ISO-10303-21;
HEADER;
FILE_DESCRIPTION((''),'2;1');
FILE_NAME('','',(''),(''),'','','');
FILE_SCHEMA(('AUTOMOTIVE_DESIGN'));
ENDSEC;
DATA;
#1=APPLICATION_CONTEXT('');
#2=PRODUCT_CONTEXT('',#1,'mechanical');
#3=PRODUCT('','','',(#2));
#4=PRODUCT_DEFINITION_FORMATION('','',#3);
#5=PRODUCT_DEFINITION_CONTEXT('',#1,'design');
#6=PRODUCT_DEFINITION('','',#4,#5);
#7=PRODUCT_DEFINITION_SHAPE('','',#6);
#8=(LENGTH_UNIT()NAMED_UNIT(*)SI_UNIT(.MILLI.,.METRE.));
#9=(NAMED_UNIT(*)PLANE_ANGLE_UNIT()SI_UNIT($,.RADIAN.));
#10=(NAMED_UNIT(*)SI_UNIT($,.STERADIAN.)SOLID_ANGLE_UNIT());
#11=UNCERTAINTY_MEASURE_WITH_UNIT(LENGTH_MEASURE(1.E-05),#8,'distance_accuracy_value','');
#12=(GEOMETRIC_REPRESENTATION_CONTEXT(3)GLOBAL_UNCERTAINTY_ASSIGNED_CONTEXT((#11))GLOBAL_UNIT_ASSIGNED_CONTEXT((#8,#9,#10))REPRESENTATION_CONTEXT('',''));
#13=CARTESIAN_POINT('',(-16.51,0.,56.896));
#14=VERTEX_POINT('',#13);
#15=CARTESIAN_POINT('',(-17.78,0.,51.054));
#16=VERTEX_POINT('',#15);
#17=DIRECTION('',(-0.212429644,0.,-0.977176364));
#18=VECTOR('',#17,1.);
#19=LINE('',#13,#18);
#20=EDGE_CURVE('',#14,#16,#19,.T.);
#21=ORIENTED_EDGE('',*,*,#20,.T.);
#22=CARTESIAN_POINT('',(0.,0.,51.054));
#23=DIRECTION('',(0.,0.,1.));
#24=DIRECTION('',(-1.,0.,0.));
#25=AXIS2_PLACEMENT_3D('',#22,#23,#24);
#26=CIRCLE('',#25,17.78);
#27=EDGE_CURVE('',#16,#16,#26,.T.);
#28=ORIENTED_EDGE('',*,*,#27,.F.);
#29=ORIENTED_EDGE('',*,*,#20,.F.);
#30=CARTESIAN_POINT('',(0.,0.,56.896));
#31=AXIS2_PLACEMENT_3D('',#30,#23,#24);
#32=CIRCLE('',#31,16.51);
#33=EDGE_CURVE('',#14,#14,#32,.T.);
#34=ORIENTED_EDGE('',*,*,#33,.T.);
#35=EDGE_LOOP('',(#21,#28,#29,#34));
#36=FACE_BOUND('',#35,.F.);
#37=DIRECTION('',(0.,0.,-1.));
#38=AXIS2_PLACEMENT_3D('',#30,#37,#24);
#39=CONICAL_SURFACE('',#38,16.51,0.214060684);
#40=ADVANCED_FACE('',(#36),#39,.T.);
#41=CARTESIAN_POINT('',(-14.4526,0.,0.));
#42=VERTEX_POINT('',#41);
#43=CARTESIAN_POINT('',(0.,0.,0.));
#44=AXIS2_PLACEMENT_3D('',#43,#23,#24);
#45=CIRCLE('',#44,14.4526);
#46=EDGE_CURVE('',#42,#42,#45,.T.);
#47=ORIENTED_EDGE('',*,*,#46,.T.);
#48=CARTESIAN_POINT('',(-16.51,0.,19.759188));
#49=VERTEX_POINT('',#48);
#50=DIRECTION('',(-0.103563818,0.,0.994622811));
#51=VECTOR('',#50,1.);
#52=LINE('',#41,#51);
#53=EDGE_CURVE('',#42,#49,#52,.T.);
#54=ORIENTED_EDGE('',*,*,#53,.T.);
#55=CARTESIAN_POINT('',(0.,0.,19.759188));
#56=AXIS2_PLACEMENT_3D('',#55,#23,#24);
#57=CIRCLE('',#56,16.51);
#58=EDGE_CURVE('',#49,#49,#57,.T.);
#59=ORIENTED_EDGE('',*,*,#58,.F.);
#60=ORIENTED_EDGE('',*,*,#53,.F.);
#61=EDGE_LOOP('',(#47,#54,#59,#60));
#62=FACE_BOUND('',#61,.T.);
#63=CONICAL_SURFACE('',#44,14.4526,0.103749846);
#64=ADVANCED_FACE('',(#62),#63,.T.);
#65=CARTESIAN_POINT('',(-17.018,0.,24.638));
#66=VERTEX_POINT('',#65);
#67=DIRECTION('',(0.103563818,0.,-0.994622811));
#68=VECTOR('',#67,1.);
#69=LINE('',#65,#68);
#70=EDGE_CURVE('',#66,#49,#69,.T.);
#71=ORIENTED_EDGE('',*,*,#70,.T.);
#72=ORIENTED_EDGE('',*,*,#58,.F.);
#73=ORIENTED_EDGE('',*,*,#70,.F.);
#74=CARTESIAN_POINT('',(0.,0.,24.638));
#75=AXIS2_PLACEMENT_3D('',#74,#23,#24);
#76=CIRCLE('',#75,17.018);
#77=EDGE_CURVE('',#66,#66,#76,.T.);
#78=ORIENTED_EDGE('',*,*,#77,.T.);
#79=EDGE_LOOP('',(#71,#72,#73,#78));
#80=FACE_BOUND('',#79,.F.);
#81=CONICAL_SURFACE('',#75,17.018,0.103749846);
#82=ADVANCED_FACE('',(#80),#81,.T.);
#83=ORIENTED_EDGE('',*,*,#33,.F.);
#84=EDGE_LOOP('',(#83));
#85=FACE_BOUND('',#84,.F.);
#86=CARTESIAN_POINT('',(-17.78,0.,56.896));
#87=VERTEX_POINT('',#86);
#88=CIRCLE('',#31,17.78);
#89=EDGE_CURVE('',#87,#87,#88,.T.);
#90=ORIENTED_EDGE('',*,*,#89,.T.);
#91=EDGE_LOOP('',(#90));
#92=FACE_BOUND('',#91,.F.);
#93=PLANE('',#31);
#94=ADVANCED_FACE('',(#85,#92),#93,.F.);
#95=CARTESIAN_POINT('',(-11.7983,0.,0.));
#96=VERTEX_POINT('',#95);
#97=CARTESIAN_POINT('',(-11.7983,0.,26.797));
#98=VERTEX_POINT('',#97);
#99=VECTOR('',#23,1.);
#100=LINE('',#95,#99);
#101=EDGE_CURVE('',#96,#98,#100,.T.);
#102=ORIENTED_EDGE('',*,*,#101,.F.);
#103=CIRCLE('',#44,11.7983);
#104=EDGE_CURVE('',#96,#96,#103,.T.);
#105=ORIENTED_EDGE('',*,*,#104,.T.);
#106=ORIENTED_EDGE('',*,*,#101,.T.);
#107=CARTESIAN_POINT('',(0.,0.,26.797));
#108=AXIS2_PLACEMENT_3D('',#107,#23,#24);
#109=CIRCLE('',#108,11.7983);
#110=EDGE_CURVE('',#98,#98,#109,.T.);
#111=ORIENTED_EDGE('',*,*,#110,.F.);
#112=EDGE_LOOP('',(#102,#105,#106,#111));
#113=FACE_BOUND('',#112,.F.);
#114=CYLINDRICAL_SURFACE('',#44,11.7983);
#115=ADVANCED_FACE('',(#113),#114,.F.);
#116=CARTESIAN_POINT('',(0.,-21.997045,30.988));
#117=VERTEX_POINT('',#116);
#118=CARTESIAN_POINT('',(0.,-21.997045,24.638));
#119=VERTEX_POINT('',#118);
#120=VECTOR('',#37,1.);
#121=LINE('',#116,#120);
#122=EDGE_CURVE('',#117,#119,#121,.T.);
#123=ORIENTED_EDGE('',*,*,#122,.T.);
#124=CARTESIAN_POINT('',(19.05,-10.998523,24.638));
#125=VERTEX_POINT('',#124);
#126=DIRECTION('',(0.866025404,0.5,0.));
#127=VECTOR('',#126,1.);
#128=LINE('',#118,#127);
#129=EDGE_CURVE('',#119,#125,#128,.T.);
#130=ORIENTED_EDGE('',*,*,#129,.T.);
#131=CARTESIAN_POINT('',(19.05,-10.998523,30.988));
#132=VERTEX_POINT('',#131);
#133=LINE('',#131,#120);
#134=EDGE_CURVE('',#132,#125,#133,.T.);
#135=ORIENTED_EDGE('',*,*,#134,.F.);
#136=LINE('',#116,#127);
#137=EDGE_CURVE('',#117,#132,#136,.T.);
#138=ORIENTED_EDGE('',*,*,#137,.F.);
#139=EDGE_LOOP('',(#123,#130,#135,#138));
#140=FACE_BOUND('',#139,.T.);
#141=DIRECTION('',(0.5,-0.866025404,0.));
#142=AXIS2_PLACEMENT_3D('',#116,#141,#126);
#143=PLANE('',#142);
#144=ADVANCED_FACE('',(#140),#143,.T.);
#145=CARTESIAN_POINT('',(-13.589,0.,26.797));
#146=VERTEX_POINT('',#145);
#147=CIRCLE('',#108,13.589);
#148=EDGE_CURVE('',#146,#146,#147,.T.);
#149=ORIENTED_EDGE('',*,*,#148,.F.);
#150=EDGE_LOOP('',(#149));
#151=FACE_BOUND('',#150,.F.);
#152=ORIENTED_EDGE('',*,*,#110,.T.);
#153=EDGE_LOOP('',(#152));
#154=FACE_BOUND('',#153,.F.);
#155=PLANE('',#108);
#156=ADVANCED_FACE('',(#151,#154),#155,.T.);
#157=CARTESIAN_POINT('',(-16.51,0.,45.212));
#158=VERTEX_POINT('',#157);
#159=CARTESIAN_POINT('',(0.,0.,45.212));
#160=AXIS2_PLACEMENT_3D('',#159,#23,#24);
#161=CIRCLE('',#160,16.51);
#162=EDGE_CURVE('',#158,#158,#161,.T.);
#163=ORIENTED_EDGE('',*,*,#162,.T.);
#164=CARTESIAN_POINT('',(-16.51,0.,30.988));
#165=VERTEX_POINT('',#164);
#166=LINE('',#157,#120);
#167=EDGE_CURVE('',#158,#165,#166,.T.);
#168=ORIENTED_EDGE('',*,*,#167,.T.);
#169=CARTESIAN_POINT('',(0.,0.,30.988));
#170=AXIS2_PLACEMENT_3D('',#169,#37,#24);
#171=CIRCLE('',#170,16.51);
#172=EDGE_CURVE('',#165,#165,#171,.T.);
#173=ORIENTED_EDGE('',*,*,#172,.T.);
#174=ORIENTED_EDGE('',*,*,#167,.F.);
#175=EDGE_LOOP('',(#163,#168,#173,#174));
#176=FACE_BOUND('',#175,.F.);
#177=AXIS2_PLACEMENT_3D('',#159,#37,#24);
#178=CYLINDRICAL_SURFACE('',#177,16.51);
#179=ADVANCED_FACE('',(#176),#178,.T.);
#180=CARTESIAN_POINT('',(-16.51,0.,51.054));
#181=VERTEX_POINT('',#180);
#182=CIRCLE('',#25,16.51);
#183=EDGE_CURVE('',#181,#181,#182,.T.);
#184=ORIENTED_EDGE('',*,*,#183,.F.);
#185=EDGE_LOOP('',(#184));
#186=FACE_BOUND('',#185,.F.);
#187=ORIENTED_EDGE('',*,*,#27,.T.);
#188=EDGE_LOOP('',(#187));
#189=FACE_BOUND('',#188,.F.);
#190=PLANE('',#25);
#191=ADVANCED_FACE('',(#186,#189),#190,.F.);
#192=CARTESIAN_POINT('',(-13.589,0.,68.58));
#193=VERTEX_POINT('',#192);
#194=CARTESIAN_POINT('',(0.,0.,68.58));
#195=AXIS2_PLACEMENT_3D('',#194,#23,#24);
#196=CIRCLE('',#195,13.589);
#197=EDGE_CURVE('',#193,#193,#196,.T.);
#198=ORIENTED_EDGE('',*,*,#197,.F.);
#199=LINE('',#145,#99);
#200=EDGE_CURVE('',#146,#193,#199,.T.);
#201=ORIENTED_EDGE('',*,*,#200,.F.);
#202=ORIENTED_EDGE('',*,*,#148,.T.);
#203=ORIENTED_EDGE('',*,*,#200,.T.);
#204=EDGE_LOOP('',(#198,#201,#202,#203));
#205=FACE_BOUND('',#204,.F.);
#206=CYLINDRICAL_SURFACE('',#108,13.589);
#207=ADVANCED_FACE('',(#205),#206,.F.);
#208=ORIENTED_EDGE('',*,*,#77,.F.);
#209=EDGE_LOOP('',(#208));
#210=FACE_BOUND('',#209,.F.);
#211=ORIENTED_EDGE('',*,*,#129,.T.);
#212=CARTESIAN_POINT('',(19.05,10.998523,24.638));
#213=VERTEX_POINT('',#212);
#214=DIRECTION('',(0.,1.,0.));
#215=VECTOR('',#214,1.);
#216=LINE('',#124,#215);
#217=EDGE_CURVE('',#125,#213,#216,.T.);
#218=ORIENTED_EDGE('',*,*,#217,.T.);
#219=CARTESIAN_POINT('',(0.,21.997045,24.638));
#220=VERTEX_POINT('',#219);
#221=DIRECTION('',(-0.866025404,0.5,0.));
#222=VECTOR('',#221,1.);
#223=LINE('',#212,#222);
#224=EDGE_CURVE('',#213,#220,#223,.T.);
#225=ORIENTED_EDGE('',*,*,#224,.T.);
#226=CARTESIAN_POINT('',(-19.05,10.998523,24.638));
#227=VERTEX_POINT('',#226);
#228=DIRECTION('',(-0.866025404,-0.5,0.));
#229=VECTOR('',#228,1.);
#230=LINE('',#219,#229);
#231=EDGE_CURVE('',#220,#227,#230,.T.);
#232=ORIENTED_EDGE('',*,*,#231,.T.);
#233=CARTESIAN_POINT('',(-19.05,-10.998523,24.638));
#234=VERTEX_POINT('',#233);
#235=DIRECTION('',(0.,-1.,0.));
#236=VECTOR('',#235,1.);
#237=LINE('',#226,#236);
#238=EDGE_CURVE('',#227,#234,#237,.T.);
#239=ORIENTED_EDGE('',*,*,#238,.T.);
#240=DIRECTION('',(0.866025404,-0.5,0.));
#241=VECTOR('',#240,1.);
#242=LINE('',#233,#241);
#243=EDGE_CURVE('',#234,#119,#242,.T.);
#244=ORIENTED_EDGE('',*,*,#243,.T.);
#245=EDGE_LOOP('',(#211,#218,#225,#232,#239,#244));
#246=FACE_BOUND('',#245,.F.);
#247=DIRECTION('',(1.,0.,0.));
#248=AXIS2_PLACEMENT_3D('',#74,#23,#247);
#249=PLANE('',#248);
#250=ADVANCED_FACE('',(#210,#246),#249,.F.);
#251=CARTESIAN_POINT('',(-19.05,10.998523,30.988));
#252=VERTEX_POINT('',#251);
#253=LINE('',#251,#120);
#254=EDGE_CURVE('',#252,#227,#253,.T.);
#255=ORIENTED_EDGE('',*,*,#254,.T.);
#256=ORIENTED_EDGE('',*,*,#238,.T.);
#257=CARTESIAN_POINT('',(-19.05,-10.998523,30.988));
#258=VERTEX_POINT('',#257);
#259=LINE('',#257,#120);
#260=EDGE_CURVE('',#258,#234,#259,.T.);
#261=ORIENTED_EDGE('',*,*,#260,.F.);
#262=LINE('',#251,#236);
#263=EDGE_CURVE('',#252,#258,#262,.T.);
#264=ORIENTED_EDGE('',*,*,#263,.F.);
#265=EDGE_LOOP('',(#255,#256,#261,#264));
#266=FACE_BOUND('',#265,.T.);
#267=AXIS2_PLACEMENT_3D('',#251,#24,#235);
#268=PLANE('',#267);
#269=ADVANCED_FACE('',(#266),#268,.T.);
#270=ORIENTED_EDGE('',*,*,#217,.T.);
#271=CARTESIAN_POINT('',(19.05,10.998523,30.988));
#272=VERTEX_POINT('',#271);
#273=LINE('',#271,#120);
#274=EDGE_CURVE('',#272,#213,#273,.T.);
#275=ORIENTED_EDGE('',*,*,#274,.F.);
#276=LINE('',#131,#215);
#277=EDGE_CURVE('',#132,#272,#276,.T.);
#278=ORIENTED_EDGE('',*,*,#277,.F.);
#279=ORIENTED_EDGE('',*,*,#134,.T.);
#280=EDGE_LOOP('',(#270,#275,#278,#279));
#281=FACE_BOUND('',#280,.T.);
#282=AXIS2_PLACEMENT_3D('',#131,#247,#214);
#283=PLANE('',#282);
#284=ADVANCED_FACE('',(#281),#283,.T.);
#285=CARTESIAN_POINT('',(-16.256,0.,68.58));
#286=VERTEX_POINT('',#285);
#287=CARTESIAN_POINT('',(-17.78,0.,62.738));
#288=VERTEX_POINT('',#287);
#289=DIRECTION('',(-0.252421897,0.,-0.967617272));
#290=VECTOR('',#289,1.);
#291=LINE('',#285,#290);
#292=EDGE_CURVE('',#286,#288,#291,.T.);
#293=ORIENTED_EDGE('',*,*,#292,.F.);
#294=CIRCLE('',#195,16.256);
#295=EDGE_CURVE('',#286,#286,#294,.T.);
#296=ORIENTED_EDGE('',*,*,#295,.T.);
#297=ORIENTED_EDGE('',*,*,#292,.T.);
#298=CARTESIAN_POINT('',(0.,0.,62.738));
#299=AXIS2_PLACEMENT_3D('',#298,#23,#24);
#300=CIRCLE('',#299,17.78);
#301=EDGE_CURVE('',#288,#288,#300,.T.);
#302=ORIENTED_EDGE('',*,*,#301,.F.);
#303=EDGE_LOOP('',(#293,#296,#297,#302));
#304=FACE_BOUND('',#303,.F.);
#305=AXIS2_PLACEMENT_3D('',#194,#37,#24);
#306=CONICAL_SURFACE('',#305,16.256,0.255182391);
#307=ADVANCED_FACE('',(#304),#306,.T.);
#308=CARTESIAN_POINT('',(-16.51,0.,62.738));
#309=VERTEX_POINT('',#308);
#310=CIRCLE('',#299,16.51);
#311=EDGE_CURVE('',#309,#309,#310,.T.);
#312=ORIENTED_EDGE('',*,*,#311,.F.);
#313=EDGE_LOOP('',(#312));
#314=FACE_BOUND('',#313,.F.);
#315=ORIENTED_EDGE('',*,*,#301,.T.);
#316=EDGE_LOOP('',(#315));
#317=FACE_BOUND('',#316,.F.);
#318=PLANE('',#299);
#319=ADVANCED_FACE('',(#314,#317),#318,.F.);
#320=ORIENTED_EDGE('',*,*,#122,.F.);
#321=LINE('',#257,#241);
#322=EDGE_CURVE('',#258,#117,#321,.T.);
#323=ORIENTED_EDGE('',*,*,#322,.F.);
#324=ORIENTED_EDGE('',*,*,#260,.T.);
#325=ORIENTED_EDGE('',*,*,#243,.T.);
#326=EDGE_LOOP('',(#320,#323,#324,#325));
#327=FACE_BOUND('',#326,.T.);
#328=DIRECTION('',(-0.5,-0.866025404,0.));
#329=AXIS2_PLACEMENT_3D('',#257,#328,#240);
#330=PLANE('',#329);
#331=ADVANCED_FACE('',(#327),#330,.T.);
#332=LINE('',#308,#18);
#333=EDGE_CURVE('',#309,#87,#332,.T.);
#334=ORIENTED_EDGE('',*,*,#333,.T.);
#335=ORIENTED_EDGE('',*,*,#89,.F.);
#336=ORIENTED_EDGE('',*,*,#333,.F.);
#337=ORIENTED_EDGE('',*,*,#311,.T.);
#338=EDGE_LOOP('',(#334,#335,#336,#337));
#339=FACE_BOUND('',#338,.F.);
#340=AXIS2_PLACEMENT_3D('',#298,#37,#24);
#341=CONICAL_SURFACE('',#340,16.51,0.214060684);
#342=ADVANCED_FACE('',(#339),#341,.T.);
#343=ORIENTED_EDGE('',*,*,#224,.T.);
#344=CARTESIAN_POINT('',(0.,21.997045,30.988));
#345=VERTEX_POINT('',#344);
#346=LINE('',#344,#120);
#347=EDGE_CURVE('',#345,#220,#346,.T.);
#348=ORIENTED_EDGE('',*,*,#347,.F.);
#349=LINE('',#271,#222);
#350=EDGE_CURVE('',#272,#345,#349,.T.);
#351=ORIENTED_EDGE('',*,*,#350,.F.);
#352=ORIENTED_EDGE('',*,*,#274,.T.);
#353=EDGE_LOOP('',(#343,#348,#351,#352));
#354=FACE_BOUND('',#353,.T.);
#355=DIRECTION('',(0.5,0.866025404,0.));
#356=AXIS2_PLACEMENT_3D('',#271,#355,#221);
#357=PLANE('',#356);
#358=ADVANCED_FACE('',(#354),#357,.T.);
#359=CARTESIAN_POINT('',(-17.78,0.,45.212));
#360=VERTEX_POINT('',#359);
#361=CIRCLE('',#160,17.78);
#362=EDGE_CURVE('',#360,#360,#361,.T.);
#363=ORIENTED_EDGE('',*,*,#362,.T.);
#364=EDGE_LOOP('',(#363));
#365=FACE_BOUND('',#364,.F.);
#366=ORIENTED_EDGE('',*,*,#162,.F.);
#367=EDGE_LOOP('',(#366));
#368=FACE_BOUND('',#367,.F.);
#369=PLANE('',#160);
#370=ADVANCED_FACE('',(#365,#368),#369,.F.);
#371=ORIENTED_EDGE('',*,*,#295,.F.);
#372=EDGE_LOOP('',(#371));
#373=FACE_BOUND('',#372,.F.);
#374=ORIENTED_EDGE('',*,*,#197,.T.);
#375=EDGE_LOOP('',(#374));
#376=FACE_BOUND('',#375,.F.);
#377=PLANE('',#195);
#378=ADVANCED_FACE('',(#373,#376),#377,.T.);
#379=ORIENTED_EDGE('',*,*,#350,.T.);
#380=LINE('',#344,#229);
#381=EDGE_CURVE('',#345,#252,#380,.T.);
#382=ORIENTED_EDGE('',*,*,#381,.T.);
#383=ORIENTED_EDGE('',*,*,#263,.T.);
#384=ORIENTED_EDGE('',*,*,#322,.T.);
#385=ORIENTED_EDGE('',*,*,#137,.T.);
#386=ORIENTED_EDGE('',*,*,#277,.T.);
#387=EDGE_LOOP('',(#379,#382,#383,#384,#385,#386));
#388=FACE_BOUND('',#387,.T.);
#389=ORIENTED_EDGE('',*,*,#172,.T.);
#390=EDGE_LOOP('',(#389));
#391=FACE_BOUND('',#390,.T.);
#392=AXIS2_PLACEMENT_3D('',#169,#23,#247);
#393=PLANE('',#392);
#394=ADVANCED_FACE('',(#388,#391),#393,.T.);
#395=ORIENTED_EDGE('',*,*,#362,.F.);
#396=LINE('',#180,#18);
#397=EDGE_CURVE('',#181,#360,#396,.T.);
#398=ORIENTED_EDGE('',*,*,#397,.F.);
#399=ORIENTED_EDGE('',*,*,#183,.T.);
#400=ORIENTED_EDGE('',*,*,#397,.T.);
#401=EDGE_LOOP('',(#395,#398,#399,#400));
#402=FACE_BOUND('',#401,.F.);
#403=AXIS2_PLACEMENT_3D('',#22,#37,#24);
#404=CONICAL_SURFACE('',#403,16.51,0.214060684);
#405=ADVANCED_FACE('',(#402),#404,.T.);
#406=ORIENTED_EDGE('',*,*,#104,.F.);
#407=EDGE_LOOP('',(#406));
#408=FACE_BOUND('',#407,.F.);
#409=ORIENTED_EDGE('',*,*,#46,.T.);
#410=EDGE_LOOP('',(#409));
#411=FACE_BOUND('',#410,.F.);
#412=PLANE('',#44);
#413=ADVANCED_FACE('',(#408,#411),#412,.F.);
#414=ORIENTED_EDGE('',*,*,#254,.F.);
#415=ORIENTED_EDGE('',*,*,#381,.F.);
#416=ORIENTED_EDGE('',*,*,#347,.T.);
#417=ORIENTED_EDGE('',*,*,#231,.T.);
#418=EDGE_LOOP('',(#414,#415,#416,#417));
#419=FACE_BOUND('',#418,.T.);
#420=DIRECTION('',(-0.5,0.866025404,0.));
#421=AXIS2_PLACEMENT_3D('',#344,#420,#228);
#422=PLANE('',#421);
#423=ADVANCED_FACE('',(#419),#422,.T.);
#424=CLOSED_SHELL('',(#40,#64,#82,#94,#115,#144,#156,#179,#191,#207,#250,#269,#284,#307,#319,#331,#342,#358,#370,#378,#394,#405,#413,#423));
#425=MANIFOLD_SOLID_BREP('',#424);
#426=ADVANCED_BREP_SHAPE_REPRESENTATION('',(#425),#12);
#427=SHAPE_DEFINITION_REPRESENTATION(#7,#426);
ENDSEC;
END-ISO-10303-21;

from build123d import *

# Parameters (mm, degrees)
F3_R     = 16.51
F4_DEPTH = 6.35


with BuildPart() as f1:
    # F0 (on Front) → F1 (revolve)
    with BuildSketch(Plane.XZ):
        Polygon((-13.589, 26.797), (-13.589, 68.58), (-16.256, 68.58), (-17.78, 62.738), (-16.51, 62.738), (-17.78, 56.896), (-16.51, 56.896), (-17.78, 51.054), (-16.51, 51.054), (-17.78, 45.212), (-16.51, 45.212), (-16.51, 0), (-11.7983, 0), (-11.7983, 26.797), align=None)
    revolve(axis=Axis((0, 0, 34.29), (0, 0, 1)))

    # F3 (on offset) → F4 (join)
    with BuildSketch(Plane.XY.offset(30.988)):
        Polygon((19.05, 10.9985226281), (0, 21.9970452561), (-19.05, 10.9985226281), (-19.05, -10.9985226281), (0, -21.9970452561), (19.05, -10.9985226281), align=None)
        Circle(F3_R, mode=Mode.SUBTRACT)
    extrude(amount=-F4_DEPTH)

    # F6 (on Front) → F7 (revolve)
    with BuildSketch(Plane.XZ):
        Polygon((-16.51, 24.638), (-17.018, 24.638), (-16.51, 19.7591881188), align=None)
    revolve(axis=Axis((0, 0, 12.319), (0, 0, 1)))

    # F8 (on Front) → F9 (revolve, cut)
    with BuildSketch(Plane.XZ):
        Polygon((-14.4526, 0), (-16.51, 19.7591881188), (-16.51, 0), align=None)
    revolve(axis=Axis((0, 0, 12.319), (0, 0, 1)), mode=Mode.SUBTRACT)


solid = f1.part
